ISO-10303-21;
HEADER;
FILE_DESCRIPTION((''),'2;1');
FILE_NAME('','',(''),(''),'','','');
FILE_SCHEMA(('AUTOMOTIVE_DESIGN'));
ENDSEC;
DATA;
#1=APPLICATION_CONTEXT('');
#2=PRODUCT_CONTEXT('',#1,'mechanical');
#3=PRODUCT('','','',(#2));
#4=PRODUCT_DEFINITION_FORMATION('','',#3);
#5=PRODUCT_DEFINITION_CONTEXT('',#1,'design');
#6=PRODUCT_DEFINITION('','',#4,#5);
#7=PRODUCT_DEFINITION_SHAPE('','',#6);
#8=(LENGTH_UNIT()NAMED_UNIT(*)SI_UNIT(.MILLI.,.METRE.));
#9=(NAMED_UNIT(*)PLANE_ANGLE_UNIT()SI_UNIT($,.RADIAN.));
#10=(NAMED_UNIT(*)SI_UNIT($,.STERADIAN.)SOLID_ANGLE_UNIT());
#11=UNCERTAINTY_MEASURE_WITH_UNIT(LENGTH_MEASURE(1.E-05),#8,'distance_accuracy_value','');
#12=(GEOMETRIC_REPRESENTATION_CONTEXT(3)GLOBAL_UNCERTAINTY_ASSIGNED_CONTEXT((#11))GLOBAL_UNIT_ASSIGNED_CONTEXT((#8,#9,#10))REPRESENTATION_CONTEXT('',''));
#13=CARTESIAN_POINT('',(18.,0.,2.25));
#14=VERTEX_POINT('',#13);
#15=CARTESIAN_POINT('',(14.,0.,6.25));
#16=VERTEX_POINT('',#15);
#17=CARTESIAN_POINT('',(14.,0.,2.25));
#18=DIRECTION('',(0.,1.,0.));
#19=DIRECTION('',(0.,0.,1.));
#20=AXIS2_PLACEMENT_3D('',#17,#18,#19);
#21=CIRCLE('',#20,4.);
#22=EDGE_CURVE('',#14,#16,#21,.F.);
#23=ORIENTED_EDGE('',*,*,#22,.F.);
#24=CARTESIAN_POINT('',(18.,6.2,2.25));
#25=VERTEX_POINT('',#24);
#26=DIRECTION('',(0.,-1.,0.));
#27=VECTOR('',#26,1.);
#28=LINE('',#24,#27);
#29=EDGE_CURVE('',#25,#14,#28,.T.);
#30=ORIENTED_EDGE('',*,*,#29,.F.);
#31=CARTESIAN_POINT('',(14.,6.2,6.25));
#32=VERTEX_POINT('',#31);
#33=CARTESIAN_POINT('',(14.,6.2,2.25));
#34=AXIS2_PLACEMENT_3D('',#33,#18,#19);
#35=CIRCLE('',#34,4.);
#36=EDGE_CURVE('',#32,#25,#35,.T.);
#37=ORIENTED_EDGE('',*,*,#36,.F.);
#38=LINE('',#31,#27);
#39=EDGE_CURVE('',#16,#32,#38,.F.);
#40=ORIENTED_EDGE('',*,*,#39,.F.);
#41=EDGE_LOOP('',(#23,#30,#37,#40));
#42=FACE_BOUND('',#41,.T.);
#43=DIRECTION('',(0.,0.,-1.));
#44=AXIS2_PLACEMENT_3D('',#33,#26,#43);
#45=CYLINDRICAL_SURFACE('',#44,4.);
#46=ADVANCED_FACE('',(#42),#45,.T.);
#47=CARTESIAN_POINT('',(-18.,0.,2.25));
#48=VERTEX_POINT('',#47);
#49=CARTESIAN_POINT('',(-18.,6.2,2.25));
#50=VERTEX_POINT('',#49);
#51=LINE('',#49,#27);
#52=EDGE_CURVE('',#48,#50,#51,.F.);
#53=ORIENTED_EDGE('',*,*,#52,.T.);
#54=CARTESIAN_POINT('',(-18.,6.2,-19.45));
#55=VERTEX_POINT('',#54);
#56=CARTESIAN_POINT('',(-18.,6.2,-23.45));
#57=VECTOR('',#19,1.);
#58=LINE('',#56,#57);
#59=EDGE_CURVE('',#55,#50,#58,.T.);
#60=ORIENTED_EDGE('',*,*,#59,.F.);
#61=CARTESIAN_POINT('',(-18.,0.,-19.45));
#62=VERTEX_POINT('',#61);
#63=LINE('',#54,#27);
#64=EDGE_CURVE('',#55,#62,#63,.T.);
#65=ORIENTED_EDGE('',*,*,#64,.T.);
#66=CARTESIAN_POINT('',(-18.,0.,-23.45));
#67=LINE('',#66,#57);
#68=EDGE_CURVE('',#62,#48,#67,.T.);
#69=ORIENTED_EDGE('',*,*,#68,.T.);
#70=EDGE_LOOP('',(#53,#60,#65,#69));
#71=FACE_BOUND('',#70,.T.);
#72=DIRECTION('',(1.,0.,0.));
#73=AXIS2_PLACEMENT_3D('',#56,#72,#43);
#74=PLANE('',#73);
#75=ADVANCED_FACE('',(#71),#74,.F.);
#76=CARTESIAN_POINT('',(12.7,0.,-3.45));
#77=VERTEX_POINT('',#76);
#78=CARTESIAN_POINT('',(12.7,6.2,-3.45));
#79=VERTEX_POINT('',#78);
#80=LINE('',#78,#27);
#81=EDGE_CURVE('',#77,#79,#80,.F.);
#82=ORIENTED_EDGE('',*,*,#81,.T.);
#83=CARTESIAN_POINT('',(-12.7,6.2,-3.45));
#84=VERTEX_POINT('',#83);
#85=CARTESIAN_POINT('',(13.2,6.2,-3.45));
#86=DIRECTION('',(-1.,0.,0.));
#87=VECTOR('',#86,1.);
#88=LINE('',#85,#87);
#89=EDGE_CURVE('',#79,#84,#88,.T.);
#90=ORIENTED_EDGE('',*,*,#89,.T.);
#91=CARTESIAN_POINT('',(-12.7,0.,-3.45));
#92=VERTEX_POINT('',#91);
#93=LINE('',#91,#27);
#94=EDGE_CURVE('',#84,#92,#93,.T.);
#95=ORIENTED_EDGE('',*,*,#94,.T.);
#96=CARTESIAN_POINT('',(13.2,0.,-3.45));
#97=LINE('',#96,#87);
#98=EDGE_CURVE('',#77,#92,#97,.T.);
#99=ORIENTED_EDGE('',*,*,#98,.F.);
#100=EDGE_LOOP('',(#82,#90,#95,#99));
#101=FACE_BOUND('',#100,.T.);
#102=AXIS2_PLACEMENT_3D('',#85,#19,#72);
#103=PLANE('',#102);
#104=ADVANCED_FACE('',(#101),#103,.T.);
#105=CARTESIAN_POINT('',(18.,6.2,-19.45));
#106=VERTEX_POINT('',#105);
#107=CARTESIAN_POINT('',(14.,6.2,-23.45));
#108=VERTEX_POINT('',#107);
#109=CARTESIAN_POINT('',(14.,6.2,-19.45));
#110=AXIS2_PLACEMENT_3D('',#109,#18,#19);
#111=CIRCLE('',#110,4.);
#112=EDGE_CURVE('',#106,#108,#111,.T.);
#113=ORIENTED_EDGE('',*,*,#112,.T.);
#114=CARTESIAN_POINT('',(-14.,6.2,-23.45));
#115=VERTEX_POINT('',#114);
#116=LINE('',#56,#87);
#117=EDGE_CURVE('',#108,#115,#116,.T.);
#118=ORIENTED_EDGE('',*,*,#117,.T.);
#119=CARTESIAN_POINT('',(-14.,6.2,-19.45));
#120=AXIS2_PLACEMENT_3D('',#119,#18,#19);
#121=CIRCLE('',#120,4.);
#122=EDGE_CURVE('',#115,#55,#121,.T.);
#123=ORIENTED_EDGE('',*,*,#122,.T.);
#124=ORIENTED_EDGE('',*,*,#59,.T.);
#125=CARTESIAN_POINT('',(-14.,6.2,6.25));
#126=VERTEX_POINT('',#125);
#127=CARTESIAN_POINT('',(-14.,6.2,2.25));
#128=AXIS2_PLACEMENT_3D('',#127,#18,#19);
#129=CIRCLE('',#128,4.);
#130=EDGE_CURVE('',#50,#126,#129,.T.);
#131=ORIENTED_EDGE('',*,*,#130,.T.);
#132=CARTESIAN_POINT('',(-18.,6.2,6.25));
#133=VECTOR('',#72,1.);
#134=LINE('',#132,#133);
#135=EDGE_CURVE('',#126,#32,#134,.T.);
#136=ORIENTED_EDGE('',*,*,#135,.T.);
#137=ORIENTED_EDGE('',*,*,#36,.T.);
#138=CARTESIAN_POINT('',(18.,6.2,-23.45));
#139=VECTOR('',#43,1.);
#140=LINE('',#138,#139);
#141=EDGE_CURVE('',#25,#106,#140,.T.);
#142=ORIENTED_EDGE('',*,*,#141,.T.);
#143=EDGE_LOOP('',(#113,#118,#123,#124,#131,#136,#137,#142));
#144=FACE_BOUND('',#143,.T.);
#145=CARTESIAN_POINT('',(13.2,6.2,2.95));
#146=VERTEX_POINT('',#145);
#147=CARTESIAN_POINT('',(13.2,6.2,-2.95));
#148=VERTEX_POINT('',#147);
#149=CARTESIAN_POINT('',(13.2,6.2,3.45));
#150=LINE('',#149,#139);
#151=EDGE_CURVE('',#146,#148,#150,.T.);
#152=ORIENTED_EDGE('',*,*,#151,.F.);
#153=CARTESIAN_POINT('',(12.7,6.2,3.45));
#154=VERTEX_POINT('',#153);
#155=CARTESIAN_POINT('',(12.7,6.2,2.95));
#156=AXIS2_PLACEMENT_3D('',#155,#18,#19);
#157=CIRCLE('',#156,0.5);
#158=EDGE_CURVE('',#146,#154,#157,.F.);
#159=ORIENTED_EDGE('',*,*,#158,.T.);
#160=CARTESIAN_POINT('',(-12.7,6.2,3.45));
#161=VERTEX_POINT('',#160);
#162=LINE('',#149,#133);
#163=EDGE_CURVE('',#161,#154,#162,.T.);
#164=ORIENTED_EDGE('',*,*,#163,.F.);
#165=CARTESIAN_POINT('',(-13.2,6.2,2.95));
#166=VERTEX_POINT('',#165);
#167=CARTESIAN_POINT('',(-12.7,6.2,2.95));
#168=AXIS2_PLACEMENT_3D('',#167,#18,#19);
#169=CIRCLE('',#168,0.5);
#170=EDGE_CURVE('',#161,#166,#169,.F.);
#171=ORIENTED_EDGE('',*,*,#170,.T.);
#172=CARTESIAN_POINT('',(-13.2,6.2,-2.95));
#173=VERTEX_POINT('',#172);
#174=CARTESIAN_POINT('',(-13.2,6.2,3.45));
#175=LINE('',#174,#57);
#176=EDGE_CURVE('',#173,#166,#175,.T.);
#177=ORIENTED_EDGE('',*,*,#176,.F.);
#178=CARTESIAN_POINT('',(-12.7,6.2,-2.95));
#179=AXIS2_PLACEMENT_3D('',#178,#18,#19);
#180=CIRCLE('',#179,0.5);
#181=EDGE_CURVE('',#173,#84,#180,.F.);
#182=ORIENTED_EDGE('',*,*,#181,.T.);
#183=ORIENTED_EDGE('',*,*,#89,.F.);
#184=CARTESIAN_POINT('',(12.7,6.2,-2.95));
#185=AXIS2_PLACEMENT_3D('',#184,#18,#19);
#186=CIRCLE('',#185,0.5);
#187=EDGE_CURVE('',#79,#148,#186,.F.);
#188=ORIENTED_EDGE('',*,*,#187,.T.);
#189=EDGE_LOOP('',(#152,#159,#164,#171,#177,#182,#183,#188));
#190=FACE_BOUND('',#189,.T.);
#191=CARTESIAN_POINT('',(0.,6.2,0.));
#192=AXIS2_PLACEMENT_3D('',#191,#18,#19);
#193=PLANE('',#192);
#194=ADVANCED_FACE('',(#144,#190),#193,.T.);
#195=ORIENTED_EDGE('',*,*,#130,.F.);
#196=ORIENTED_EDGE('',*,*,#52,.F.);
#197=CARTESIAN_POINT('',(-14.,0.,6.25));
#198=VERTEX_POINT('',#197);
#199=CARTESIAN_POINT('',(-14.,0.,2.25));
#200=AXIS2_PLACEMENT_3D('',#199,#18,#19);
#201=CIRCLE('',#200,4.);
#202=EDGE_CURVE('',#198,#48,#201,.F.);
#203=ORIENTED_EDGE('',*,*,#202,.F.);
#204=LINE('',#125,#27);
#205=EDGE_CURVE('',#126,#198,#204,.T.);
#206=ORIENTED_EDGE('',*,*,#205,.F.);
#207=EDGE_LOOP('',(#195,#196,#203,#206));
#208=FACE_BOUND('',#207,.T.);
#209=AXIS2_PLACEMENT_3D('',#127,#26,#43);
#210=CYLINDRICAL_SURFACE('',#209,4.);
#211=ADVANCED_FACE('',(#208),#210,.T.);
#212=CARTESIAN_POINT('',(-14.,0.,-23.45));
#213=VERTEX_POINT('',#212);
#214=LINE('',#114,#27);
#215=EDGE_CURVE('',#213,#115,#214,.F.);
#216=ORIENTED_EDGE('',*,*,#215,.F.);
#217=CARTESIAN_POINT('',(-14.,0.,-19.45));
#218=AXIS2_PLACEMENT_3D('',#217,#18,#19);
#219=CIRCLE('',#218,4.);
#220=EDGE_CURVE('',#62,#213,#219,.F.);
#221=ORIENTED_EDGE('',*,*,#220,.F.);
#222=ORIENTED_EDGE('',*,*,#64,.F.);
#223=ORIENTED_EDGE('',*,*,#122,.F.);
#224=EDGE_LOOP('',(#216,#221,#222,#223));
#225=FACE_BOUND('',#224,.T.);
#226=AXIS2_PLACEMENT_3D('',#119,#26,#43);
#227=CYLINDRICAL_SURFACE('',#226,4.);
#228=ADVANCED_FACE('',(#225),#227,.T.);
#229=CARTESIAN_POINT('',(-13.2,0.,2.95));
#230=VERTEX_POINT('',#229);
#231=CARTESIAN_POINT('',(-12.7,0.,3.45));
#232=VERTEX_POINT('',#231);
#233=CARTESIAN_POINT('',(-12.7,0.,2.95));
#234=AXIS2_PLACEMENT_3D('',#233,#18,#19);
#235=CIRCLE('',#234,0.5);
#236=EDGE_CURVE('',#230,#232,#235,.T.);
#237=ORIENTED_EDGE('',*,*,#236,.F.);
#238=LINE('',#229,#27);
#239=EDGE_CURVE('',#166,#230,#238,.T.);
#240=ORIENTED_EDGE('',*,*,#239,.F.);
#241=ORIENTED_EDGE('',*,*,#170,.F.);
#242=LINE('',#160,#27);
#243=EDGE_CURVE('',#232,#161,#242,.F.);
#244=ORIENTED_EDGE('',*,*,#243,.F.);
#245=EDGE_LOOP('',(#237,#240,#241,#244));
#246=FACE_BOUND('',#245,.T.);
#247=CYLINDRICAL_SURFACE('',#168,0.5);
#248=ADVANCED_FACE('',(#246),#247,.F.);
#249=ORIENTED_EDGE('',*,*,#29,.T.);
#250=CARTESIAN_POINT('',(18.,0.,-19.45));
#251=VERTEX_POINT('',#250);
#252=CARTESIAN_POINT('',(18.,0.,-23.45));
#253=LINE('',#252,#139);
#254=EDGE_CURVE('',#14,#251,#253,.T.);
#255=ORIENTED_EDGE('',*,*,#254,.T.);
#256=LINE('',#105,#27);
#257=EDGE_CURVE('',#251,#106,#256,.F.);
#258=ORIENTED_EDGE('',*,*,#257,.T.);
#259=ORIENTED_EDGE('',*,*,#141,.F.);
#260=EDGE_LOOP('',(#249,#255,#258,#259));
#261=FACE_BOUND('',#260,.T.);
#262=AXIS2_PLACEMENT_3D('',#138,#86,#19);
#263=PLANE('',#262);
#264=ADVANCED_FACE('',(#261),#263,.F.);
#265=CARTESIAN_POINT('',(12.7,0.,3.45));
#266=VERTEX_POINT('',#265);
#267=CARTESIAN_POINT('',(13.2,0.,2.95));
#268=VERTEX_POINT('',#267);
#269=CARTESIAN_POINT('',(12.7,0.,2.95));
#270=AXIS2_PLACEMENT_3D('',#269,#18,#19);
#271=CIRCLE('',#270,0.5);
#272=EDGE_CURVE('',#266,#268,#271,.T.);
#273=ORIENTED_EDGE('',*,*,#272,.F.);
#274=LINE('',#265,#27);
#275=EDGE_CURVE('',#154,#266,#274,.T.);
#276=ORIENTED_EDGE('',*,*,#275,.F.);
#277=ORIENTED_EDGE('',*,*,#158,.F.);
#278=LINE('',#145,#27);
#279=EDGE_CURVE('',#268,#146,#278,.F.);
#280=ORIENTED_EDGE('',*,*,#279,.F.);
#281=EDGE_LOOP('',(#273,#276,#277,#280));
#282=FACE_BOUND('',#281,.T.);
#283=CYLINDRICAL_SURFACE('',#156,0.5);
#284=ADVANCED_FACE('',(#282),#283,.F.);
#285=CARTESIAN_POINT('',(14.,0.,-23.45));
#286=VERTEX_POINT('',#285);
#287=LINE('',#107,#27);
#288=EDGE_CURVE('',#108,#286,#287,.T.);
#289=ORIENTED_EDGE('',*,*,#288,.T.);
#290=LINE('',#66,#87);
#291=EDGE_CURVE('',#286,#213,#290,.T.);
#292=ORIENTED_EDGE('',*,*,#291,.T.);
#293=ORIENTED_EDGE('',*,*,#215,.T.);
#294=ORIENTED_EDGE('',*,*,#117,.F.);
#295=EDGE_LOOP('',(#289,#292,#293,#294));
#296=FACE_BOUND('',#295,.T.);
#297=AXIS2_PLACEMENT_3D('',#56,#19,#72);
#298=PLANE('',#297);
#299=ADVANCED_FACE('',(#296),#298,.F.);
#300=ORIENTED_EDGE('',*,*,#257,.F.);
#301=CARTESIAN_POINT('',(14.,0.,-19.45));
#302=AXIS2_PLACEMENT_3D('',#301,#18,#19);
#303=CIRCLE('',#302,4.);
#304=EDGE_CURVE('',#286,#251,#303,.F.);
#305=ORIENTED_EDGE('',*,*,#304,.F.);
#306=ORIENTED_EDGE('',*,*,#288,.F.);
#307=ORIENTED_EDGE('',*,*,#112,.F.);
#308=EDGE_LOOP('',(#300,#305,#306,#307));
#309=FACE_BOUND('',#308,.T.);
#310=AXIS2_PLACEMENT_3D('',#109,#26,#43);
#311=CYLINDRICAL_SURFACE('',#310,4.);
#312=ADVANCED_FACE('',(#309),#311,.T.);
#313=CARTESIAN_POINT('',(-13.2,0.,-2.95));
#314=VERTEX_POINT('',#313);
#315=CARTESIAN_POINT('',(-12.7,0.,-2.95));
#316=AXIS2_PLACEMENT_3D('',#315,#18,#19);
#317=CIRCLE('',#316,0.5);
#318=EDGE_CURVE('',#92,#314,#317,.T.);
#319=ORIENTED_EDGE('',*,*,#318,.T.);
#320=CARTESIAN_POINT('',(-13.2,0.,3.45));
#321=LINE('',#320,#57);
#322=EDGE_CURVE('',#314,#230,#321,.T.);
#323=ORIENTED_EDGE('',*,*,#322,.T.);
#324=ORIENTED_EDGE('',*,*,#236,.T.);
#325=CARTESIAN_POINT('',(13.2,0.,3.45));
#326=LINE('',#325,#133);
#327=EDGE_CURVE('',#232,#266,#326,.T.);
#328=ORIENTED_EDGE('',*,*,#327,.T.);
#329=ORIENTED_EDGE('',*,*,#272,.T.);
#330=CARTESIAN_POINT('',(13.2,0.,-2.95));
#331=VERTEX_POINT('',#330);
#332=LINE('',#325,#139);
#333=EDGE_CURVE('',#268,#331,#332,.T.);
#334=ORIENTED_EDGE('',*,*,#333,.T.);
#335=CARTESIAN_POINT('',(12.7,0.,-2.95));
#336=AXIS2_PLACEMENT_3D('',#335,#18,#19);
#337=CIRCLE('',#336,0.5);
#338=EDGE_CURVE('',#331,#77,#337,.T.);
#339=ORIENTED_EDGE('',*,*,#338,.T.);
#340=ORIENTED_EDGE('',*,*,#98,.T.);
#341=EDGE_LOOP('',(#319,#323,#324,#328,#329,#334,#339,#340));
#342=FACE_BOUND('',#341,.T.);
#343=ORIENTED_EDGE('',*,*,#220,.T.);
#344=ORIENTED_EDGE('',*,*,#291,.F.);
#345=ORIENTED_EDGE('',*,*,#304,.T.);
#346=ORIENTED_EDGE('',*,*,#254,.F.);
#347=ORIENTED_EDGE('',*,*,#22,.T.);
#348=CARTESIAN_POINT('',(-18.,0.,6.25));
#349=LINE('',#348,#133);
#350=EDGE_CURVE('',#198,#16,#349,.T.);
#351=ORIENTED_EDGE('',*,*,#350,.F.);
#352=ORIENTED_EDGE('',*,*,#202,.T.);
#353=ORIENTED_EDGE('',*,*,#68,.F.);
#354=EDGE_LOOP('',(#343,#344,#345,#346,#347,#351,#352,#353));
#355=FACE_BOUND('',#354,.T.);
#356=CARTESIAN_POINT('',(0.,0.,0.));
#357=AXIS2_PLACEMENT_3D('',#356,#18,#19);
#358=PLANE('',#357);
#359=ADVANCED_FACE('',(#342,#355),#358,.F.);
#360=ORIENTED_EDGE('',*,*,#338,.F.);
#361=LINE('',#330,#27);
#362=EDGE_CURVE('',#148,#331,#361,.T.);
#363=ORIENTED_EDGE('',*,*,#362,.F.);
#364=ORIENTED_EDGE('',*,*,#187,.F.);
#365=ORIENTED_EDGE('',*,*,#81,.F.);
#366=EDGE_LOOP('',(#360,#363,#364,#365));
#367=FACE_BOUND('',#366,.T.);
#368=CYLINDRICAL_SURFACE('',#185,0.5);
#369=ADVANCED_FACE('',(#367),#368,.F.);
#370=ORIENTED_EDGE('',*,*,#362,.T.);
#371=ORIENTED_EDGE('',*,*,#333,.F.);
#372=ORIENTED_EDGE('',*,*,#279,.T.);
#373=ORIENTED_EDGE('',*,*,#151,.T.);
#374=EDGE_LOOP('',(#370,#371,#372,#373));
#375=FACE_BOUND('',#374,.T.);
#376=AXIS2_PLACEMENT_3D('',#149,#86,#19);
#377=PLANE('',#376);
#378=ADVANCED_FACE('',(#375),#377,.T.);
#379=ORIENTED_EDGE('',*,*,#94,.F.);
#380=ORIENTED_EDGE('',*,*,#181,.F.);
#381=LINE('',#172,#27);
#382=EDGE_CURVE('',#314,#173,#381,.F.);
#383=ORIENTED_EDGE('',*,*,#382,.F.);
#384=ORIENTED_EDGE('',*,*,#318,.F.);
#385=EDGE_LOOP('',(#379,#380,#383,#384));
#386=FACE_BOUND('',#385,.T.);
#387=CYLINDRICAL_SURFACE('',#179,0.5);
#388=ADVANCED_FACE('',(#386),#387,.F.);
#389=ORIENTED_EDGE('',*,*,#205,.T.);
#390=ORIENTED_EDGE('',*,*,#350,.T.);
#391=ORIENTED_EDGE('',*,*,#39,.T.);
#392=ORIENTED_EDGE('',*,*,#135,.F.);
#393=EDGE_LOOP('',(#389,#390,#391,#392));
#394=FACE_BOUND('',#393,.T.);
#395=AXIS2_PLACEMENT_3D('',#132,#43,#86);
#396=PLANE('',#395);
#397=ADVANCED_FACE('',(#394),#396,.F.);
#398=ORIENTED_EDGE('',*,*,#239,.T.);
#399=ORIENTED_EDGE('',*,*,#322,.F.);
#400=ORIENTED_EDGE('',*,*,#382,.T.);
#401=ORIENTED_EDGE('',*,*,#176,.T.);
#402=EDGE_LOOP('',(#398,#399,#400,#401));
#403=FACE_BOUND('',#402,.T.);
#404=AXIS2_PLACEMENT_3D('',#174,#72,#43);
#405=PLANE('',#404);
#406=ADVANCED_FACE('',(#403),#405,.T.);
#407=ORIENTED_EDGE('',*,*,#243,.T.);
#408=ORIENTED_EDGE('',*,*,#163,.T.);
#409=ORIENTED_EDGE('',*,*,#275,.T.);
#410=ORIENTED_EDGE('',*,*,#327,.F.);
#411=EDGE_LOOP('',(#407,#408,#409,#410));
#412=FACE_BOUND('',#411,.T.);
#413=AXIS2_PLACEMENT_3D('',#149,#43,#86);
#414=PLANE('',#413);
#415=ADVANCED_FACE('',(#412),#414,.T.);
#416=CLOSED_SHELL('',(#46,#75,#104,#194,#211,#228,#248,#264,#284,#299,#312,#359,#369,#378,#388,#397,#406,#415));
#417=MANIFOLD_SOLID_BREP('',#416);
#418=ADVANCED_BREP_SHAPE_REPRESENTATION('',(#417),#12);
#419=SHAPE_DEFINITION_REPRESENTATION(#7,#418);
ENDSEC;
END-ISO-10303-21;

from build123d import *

# Parameters (mm, degrees)
SKETCH1_W           = 36
SKETCH1_H           = 29.7
SKETCH1_W_2         = 26.4
SKETCH1_H_2         = 6.9
BOSS_EXTRUDE1_DEPTH = 6.2
FILLET1_R           = 4
FILLET2_R           = 0.5


with BuildPart() as part:
    # Sketch1 → Boss-Extrude1 (new body)
    with BuildSketch(Plane(origin=(0, 0, 0), x_dir=(1, 0, 0), z_dir=(0, 1, 0))):
        with Locations((0, 8.6)):
            Rectangle(SKETCH1_W, SKETCH1_H)
        Rectangle(SKETCH1_W_2, SKETCH1_H_2, mode=Mode.SUBTRACT)
    extrude(amount=BOSS_EXTRUDE1_DEPTH)

    # Fillet1
    fillet1_edges = [part.edges().sort_by_distance(p)[0] for p in [
        (-18, 3.1, -23.45),
        (18, 3.1, -23.45),
        (18, 3.1, 6.25),
        (-18, 3.1, 6.25),
    ]]
    fillet(fillet1_edges, radius=FILLET1_R)

    # Fillet2
    fillet2_edges = [part.edges().sort_by_distance(p)[0] for p in [
        (13.2, 3.1, 3.45),
        (13.2, 3.1, -3.45),
        (-13.2, 3.1, -3.45),
        (-13.2, 3.1, 3.45),
    ]]
    fillet(fillet2_edges, radius=FILLET2_R)


solid = part.part
